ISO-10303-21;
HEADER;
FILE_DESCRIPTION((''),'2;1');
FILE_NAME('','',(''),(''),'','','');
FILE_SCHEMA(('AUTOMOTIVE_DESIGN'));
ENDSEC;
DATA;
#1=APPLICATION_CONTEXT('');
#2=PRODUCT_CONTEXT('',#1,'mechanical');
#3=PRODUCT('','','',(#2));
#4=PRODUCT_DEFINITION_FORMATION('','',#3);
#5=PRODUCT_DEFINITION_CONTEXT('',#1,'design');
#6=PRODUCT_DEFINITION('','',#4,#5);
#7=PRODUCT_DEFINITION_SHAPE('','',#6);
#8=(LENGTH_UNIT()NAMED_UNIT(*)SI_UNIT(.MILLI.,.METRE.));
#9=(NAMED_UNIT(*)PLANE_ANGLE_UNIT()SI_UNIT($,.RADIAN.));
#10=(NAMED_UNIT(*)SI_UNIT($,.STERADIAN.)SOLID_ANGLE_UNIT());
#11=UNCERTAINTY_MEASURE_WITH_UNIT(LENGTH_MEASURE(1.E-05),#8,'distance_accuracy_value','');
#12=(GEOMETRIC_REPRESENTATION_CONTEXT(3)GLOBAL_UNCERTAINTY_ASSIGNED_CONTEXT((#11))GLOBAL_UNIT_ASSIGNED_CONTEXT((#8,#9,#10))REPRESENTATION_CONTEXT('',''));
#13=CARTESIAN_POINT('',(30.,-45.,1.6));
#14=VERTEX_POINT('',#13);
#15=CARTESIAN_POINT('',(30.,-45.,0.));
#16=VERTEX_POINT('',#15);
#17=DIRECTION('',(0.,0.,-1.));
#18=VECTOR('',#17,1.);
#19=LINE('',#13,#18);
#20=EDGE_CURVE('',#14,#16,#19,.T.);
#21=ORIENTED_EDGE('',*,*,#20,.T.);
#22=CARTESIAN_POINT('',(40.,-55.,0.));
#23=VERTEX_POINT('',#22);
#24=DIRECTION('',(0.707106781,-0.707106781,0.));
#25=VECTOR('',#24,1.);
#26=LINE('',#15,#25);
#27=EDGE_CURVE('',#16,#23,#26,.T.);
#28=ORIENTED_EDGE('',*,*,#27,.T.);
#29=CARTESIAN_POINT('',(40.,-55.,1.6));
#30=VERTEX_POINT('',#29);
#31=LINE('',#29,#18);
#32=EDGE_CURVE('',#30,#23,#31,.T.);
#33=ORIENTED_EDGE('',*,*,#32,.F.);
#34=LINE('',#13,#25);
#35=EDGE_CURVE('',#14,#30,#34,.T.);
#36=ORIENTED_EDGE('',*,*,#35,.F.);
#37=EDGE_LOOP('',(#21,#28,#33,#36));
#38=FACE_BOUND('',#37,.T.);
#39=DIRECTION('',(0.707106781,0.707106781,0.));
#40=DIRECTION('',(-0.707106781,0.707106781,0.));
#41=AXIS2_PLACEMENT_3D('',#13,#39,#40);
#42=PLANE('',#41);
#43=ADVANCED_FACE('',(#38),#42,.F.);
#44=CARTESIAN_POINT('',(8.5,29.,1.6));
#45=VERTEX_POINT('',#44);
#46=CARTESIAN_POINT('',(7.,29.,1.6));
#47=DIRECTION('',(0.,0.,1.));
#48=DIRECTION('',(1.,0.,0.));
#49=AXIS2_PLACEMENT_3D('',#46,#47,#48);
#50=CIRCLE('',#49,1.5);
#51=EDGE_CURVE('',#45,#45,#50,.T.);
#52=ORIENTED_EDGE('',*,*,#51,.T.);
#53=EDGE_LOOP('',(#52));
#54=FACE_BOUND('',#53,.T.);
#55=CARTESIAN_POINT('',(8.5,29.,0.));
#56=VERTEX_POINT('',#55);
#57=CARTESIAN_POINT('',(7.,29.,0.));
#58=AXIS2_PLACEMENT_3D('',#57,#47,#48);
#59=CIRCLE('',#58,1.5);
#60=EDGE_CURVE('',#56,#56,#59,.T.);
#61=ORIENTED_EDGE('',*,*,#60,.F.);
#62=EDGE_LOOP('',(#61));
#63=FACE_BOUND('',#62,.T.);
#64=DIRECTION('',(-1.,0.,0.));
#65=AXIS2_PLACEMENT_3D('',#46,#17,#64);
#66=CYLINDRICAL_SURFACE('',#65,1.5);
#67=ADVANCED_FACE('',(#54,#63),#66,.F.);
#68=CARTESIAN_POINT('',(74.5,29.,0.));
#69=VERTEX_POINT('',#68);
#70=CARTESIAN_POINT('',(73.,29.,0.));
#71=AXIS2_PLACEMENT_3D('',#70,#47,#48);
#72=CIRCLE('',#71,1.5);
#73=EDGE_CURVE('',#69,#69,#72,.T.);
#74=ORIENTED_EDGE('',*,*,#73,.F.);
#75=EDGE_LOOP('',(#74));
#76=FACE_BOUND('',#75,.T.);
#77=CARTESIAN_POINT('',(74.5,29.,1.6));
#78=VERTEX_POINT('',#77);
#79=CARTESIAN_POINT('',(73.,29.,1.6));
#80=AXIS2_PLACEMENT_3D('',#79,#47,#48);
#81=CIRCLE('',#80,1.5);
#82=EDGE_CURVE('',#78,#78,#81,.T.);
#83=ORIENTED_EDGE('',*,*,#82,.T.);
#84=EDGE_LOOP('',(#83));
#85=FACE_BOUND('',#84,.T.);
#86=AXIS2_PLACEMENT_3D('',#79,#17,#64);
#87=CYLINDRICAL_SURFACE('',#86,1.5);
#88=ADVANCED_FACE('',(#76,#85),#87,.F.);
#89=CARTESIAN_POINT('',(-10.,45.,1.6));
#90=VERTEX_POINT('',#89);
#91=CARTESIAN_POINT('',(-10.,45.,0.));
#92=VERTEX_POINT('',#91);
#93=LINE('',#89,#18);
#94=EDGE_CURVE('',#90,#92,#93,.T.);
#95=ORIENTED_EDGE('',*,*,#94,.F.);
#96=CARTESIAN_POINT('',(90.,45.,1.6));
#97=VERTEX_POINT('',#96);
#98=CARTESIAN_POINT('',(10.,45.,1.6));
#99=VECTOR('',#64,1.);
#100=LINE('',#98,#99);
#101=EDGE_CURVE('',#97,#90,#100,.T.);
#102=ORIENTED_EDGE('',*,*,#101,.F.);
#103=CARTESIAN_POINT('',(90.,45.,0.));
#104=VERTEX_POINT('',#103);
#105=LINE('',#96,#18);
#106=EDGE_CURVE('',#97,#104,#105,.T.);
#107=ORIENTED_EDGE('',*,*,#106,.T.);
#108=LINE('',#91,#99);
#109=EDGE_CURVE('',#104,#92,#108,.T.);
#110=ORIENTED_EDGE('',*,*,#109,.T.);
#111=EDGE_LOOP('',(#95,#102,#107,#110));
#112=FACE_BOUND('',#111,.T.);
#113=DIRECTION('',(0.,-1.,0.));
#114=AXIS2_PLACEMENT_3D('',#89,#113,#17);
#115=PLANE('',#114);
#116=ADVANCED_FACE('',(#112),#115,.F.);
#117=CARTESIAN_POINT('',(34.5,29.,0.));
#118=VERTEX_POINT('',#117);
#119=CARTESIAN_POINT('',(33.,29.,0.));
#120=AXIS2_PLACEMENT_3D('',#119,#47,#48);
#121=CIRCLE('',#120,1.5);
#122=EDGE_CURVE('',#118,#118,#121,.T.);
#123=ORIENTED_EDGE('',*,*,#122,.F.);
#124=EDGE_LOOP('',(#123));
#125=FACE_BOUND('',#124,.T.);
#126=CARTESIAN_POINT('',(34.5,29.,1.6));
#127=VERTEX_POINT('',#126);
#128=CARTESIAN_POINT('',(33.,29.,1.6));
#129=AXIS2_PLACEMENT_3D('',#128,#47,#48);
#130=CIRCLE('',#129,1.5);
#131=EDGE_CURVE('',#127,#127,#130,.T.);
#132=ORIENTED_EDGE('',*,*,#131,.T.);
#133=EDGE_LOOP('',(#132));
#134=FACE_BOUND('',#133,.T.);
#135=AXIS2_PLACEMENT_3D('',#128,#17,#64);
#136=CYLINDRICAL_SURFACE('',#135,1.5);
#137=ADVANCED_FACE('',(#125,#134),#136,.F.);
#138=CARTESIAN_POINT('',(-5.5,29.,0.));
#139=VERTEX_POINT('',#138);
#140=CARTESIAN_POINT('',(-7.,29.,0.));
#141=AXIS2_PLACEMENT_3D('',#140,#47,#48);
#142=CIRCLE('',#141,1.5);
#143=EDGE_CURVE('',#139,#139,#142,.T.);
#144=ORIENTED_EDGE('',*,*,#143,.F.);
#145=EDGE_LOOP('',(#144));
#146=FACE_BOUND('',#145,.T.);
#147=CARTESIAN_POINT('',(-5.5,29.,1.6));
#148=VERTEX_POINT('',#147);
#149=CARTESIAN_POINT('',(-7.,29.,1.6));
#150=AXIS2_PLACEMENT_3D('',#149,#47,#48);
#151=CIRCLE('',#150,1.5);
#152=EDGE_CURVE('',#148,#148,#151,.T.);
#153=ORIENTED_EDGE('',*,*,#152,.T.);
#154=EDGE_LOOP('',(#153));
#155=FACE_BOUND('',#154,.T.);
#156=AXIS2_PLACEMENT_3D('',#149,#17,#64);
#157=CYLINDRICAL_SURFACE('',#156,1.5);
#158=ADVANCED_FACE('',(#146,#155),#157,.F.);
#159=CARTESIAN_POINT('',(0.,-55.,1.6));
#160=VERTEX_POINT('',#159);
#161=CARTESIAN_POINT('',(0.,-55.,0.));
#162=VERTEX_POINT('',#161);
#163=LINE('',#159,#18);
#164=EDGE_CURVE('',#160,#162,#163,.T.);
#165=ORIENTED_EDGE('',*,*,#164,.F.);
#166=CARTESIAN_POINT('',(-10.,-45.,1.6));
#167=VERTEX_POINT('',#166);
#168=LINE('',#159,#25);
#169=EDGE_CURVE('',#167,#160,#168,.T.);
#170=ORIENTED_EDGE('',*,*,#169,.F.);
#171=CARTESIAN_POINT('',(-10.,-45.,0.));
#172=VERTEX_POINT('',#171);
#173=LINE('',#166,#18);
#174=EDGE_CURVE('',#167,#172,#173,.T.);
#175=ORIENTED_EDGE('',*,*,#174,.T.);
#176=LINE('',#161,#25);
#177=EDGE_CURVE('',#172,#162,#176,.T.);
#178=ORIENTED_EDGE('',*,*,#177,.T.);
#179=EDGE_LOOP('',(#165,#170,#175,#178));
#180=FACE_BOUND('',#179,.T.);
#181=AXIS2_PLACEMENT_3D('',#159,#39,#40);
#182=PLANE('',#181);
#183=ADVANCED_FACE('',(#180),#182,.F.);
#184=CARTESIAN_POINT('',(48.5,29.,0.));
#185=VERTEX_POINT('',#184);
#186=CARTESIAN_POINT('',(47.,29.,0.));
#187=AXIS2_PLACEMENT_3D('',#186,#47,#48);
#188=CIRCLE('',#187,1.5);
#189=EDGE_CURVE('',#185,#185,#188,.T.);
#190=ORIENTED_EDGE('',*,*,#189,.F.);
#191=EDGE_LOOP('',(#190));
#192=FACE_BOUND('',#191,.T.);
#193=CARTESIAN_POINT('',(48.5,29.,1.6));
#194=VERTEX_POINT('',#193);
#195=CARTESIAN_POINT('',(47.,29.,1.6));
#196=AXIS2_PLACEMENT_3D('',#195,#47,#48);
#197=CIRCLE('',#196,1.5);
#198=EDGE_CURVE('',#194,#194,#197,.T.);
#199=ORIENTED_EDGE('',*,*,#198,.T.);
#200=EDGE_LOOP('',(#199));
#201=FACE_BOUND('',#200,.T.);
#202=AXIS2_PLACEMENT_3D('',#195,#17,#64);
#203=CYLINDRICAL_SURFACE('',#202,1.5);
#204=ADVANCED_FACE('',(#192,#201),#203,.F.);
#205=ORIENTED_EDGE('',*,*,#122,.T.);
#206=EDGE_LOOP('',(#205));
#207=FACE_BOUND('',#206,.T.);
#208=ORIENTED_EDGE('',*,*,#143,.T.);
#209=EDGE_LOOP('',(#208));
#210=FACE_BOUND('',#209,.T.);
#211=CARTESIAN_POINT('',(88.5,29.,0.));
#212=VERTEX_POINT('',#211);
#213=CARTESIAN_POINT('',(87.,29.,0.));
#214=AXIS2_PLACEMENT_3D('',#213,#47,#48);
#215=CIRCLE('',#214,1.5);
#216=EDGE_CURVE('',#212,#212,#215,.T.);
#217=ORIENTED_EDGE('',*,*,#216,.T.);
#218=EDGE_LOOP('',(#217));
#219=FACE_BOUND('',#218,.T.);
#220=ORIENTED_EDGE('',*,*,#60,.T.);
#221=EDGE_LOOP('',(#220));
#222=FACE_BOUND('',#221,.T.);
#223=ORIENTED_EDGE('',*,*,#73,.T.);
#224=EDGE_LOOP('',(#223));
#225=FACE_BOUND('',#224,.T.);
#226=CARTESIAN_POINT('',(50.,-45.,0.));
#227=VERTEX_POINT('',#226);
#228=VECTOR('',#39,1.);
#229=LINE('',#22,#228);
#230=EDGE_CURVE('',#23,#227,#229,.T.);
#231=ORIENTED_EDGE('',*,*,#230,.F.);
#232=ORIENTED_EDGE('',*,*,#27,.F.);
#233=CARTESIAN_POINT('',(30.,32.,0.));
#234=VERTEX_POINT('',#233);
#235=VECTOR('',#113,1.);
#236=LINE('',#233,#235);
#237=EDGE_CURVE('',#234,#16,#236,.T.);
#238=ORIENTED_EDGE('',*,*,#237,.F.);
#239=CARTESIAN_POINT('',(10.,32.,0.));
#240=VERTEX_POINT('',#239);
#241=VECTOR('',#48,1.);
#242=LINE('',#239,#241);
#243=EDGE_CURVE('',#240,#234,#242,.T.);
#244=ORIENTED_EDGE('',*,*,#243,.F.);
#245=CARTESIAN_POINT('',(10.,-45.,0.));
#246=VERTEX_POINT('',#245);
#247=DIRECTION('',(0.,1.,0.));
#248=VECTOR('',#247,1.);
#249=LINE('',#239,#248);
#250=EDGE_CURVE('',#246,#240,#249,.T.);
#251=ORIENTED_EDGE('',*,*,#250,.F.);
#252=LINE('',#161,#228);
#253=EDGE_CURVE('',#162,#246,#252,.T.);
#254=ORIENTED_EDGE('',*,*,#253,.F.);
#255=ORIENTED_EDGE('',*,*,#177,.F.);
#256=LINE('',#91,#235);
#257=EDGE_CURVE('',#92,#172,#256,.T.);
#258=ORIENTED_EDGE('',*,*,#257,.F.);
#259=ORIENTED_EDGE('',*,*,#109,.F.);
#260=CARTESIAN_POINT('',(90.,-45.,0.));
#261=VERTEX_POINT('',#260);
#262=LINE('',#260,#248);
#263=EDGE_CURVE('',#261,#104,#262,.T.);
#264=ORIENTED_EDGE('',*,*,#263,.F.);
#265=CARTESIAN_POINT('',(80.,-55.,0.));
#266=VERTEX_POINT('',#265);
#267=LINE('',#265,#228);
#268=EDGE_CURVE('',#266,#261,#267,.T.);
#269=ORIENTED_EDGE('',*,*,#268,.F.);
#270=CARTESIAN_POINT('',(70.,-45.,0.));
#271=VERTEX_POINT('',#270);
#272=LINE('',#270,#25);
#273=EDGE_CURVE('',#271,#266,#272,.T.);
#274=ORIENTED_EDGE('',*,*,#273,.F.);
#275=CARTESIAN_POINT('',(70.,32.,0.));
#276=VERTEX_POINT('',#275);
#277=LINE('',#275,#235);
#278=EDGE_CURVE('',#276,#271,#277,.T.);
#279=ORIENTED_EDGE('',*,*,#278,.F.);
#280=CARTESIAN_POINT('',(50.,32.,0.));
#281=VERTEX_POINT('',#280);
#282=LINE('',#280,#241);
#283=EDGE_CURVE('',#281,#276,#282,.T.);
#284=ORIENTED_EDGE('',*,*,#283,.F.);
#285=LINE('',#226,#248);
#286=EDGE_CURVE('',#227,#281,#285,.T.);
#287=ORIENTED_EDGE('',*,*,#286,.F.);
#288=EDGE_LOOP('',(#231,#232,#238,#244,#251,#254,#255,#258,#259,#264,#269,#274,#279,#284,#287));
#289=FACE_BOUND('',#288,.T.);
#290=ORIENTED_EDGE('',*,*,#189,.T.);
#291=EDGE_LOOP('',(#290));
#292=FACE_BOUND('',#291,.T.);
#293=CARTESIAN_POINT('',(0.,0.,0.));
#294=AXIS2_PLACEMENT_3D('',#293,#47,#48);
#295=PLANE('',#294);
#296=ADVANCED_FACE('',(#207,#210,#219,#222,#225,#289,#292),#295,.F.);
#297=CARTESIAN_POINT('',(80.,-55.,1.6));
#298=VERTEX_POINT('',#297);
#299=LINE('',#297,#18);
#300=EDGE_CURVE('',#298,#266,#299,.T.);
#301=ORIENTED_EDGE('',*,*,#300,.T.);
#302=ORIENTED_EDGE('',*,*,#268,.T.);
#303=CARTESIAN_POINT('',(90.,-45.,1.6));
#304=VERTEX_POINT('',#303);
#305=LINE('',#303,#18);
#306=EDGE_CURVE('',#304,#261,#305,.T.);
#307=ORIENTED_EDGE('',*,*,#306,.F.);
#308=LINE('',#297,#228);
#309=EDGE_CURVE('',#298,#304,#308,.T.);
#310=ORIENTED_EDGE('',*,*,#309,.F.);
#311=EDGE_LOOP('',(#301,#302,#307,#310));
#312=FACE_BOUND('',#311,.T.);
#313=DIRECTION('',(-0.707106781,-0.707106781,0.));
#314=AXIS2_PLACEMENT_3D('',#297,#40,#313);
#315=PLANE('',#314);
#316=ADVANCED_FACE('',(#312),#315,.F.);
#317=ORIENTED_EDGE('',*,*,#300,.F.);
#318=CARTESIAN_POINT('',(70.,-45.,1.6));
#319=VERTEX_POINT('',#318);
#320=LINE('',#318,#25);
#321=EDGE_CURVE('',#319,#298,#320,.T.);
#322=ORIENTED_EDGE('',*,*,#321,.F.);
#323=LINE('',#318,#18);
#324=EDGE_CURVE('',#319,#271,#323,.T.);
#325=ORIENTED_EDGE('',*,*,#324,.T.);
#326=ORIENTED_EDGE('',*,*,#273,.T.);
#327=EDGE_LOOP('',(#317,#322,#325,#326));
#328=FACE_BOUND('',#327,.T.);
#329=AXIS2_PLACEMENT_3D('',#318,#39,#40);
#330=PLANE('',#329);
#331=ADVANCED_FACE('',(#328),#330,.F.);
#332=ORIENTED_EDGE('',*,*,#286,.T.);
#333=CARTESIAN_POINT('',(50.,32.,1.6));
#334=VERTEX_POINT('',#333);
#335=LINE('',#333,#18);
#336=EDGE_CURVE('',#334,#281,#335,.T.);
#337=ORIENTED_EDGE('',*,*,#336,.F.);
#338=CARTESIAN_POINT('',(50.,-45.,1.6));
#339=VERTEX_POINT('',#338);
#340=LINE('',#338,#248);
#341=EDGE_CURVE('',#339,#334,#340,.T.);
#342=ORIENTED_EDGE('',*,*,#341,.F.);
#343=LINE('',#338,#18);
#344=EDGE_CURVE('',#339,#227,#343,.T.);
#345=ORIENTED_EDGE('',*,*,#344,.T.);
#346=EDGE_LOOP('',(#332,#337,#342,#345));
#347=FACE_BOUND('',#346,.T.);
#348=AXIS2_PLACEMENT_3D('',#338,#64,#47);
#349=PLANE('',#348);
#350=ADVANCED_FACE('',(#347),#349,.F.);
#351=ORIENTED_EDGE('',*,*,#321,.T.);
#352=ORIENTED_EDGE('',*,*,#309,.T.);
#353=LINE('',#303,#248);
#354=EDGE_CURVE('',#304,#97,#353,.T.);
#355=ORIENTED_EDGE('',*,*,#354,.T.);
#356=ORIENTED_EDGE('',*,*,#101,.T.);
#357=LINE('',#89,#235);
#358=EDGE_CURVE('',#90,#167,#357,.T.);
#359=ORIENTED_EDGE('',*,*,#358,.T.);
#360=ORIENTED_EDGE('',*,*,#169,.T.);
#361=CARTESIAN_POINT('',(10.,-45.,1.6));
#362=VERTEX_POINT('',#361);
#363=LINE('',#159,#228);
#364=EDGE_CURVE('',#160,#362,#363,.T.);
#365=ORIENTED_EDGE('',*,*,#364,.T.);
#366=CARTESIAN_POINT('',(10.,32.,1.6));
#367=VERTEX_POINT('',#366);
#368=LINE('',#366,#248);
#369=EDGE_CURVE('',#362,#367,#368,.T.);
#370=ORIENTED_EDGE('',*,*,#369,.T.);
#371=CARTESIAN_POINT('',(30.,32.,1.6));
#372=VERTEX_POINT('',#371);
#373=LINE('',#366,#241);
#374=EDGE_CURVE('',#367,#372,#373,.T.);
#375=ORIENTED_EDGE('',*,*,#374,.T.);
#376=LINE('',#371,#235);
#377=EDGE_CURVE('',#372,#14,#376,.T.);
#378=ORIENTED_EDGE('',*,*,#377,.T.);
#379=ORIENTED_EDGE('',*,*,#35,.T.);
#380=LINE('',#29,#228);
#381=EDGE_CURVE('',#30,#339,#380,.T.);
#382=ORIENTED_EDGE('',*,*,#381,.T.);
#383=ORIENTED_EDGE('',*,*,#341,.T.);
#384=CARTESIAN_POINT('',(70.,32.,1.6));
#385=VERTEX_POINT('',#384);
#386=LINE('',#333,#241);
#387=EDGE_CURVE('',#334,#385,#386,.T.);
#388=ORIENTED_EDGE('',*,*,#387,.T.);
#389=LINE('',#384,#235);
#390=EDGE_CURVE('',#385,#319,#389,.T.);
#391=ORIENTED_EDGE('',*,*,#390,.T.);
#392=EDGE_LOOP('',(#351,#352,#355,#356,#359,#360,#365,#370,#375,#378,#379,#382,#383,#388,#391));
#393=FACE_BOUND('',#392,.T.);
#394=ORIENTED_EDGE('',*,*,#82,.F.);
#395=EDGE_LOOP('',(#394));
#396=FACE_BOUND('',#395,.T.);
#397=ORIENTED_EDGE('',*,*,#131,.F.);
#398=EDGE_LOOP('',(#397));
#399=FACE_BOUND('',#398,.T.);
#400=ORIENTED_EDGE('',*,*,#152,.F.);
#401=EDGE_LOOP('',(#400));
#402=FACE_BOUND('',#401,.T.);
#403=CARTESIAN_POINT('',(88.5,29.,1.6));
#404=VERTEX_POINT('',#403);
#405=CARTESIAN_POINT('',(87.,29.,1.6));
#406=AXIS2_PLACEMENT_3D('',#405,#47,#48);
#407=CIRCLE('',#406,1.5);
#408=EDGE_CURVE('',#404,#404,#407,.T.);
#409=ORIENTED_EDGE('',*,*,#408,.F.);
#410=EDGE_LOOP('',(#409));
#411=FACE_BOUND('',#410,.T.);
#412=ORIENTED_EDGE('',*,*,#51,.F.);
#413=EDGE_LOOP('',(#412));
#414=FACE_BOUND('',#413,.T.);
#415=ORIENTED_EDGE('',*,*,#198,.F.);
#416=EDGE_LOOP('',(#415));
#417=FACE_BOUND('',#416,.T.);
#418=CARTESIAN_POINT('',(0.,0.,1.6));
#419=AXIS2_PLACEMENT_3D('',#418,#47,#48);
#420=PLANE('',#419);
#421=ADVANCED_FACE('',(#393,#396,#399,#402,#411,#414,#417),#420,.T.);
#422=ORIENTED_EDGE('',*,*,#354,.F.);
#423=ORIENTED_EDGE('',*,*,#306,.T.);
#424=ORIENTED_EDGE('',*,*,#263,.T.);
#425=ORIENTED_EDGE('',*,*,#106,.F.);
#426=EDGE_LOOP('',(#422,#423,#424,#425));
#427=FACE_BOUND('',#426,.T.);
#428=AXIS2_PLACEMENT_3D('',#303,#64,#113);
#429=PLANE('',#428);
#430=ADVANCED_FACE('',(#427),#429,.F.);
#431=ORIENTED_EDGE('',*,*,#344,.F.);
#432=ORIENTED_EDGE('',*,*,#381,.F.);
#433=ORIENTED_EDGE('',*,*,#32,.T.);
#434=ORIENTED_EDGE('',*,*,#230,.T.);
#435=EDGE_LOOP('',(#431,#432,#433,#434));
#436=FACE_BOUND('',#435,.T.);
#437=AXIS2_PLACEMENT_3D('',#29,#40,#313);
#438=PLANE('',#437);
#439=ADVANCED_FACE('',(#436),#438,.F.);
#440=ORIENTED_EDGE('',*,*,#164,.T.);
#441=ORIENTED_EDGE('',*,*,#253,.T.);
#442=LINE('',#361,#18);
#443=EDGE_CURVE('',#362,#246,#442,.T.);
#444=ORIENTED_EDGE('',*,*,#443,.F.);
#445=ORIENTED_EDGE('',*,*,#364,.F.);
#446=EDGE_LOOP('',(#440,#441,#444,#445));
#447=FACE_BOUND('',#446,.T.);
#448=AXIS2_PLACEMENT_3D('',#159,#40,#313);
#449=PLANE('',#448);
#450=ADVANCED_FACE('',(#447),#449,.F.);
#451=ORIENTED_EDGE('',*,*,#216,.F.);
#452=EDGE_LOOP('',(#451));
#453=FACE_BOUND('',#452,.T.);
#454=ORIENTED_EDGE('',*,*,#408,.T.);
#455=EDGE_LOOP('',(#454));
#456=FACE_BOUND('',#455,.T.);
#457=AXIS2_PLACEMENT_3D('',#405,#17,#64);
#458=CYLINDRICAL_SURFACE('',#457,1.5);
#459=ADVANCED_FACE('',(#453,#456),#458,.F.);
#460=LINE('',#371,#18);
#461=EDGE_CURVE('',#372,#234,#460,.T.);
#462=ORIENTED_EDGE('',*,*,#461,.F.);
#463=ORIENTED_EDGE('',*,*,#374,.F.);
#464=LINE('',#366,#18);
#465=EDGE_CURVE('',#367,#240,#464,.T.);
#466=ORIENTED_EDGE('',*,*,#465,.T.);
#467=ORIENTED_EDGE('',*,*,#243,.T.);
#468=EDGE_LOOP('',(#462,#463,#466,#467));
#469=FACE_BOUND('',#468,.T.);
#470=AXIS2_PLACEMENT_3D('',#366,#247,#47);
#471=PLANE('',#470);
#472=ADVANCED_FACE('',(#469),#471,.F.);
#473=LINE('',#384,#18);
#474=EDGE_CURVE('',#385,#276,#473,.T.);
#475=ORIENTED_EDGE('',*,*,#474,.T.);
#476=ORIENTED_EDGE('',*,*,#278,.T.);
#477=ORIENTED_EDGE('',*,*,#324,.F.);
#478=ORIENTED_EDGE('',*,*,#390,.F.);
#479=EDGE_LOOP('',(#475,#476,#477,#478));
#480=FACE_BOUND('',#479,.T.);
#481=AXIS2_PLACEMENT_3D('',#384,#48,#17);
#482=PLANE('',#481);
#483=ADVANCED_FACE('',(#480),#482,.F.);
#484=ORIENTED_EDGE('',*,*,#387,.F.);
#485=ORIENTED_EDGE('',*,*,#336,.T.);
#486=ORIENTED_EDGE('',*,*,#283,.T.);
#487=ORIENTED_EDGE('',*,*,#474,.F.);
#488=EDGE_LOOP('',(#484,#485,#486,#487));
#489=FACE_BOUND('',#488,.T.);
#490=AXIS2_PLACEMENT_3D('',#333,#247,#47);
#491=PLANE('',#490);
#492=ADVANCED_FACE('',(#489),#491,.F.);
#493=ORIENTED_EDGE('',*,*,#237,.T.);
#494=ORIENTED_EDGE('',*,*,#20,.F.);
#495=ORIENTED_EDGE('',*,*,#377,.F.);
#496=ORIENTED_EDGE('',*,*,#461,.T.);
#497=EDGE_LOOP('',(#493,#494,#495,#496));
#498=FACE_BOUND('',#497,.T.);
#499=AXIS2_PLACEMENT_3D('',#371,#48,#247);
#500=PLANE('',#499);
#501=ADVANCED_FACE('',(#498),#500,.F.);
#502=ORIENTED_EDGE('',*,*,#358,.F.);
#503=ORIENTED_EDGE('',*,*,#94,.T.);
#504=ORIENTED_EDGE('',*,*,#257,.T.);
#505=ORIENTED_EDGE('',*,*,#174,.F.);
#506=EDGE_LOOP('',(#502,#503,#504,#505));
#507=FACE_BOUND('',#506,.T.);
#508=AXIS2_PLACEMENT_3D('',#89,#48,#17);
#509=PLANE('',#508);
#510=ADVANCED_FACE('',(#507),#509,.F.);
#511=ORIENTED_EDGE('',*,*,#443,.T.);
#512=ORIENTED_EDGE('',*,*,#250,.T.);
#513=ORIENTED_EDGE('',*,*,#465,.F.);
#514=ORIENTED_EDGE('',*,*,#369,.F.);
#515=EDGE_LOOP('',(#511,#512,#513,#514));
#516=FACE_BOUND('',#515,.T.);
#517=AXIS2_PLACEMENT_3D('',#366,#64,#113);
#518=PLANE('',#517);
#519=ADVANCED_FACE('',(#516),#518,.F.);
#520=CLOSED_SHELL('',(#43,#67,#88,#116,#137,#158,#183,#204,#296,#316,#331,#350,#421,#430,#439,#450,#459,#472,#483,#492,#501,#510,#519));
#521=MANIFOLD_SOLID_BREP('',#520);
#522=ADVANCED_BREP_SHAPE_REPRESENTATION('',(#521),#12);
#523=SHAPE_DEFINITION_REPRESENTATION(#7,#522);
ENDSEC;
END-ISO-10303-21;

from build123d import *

# Parameters (mm, degrees)
IZIM1_R                     = 1.5
Y_KSEKLIK_EKSTR_ZYON1_DEPTH = 1.6


with BuildPart() as part:
    # Çizim1 → Yükseklik-Ekstrüzyon1 (new body)
    with BuildSketch(Plane.XY):
        Polygon((0, -55), (-10, -45), (-10, 45), (10, 45), (90, 45), (90, -45), (80, -55), (70, -45), (70, 32), (50, 32), (50, -45), (40, -55), (30, -45), (30, 32), (10, 32), (10, -45), align=None)
        with Locations((-7, 29)):
            Circle(IZIM1_R, mode=Mode.SUBTRACT)
        with Locations((7, 29)):
            Circle(IZIM1_R, mode=Mode.SUBTRACT)
        with Locations((33, 29)):
            Circle(IZIM1_R, mode=Mode.SUBTRACT)
        with Locations((47, 29)):
            Circle(IZIM1_R, mode=Mode.SUBTRACT)
        with Locations((73, 29)):
            Circle(IZIM1_R, mode=Mode.SUBTRACT)
        with Locations((87, 29)):
            Circle(IZIM1_R, mode=Mode.SUBTRACT)
    extrude(amount=Y_KSEKLIK_EKSTR_ZYON1_DEPTH)


solid = part.part
